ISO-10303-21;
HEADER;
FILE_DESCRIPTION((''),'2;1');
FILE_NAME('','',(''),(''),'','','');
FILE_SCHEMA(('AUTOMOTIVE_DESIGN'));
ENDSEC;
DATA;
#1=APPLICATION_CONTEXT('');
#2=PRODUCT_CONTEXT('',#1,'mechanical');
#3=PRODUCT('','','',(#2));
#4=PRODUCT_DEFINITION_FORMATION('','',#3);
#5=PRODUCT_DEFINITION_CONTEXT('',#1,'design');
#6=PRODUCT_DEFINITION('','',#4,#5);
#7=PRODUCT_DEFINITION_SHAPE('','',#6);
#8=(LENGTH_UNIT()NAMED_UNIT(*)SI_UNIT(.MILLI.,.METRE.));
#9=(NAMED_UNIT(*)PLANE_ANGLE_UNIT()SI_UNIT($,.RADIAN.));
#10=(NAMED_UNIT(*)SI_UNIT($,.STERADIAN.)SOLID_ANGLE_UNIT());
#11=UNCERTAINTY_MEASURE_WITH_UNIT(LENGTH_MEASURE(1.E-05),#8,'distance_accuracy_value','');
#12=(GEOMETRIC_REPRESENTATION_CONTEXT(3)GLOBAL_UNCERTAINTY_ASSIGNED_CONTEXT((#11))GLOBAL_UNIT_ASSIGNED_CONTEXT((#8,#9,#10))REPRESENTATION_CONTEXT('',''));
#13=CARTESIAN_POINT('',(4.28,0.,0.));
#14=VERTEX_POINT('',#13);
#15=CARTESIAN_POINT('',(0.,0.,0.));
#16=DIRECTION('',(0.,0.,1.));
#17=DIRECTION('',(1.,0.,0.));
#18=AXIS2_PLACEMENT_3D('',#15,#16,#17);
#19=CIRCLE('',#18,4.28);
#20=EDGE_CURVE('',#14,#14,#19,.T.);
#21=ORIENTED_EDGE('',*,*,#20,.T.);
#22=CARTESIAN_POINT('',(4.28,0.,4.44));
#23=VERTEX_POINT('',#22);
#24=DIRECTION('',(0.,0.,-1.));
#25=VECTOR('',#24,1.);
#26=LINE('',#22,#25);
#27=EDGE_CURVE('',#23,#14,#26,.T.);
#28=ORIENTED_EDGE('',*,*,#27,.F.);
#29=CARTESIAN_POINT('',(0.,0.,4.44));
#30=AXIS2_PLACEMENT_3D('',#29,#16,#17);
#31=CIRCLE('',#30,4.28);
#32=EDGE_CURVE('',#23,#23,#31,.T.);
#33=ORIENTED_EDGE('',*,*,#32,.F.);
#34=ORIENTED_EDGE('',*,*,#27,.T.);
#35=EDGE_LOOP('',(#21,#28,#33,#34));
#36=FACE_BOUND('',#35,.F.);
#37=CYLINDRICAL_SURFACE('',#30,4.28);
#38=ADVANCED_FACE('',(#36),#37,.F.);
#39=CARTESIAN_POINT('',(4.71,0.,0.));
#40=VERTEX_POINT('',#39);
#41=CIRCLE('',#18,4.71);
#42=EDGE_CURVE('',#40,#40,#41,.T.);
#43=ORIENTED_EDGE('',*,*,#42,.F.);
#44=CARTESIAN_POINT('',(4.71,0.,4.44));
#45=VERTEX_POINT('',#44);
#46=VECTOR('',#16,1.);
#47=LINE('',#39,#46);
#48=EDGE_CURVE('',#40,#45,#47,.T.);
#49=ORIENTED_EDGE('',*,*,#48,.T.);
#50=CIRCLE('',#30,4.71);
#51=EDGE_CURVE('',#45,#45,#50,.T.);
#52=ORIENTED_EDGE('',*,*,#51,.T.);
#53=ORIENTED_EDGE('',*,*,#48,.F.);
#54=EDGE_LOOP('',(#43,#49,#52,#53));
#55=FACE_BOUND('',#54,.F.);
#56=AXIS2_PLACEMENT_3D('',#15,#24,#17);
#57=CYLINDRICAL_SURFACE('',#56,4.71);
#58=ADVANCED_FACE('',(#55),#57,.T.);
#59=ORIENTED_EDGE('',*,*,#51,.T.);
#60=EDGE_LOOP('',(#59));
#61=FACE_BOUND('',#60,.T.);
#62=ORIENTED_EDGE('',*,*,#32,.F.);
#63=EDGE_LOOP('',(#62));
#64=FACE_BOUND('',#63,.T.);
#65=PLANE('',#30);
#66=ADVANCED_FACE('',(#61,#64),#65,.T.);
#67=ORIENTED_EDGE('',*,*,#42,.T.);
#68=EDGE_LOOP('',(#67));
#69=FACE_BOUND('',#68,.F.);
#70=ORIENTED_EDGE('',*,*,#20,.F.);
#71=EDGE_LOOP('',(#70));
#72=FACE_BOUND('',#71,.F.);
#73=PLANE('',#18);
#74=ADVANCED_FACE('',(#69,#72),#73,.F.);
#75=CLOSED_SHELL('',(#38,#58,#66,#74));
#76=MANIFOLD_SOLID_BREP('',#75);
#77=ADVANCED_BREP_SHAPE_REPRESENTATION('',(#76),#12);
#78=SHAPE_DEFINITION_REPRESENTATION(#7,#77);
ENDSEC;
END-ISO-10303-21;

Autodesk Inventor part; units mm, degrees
ref_plane "YZ Plane" through (0, 0, 0) normal (1, 0, 0) x (0, 1, 0)
ref_plane "XZ Plane" through (0, 0, 0) normal (0, 1, 0) x (-1, 0, 0)
ref_plane "XY Plane" through (0, 0, 0) normal (0, 0, 1) x (1, 0, 0)
sketch "Sketch1" plane through (0, 0, 0) normal (0, 0, 1) x (1, 0, 0)
  circle A0 centre (0, 0) radius 4.71
  dimension "d0" = 9.42
extrude "Extrusion1" add sketch "Sketch1" along normal blind 4.44
sketch "Sketch2" plane through (0, 0, 4.44) normal (0, 0, 1) x (1, 0, 0)
  circle A0 centre (0, 0) radius 4.28
  dimension "d3" = 8.56
extrude "Extrusion2" cut sketch "Sketch2" against normal through all
properties part number "BACKGROUND"
